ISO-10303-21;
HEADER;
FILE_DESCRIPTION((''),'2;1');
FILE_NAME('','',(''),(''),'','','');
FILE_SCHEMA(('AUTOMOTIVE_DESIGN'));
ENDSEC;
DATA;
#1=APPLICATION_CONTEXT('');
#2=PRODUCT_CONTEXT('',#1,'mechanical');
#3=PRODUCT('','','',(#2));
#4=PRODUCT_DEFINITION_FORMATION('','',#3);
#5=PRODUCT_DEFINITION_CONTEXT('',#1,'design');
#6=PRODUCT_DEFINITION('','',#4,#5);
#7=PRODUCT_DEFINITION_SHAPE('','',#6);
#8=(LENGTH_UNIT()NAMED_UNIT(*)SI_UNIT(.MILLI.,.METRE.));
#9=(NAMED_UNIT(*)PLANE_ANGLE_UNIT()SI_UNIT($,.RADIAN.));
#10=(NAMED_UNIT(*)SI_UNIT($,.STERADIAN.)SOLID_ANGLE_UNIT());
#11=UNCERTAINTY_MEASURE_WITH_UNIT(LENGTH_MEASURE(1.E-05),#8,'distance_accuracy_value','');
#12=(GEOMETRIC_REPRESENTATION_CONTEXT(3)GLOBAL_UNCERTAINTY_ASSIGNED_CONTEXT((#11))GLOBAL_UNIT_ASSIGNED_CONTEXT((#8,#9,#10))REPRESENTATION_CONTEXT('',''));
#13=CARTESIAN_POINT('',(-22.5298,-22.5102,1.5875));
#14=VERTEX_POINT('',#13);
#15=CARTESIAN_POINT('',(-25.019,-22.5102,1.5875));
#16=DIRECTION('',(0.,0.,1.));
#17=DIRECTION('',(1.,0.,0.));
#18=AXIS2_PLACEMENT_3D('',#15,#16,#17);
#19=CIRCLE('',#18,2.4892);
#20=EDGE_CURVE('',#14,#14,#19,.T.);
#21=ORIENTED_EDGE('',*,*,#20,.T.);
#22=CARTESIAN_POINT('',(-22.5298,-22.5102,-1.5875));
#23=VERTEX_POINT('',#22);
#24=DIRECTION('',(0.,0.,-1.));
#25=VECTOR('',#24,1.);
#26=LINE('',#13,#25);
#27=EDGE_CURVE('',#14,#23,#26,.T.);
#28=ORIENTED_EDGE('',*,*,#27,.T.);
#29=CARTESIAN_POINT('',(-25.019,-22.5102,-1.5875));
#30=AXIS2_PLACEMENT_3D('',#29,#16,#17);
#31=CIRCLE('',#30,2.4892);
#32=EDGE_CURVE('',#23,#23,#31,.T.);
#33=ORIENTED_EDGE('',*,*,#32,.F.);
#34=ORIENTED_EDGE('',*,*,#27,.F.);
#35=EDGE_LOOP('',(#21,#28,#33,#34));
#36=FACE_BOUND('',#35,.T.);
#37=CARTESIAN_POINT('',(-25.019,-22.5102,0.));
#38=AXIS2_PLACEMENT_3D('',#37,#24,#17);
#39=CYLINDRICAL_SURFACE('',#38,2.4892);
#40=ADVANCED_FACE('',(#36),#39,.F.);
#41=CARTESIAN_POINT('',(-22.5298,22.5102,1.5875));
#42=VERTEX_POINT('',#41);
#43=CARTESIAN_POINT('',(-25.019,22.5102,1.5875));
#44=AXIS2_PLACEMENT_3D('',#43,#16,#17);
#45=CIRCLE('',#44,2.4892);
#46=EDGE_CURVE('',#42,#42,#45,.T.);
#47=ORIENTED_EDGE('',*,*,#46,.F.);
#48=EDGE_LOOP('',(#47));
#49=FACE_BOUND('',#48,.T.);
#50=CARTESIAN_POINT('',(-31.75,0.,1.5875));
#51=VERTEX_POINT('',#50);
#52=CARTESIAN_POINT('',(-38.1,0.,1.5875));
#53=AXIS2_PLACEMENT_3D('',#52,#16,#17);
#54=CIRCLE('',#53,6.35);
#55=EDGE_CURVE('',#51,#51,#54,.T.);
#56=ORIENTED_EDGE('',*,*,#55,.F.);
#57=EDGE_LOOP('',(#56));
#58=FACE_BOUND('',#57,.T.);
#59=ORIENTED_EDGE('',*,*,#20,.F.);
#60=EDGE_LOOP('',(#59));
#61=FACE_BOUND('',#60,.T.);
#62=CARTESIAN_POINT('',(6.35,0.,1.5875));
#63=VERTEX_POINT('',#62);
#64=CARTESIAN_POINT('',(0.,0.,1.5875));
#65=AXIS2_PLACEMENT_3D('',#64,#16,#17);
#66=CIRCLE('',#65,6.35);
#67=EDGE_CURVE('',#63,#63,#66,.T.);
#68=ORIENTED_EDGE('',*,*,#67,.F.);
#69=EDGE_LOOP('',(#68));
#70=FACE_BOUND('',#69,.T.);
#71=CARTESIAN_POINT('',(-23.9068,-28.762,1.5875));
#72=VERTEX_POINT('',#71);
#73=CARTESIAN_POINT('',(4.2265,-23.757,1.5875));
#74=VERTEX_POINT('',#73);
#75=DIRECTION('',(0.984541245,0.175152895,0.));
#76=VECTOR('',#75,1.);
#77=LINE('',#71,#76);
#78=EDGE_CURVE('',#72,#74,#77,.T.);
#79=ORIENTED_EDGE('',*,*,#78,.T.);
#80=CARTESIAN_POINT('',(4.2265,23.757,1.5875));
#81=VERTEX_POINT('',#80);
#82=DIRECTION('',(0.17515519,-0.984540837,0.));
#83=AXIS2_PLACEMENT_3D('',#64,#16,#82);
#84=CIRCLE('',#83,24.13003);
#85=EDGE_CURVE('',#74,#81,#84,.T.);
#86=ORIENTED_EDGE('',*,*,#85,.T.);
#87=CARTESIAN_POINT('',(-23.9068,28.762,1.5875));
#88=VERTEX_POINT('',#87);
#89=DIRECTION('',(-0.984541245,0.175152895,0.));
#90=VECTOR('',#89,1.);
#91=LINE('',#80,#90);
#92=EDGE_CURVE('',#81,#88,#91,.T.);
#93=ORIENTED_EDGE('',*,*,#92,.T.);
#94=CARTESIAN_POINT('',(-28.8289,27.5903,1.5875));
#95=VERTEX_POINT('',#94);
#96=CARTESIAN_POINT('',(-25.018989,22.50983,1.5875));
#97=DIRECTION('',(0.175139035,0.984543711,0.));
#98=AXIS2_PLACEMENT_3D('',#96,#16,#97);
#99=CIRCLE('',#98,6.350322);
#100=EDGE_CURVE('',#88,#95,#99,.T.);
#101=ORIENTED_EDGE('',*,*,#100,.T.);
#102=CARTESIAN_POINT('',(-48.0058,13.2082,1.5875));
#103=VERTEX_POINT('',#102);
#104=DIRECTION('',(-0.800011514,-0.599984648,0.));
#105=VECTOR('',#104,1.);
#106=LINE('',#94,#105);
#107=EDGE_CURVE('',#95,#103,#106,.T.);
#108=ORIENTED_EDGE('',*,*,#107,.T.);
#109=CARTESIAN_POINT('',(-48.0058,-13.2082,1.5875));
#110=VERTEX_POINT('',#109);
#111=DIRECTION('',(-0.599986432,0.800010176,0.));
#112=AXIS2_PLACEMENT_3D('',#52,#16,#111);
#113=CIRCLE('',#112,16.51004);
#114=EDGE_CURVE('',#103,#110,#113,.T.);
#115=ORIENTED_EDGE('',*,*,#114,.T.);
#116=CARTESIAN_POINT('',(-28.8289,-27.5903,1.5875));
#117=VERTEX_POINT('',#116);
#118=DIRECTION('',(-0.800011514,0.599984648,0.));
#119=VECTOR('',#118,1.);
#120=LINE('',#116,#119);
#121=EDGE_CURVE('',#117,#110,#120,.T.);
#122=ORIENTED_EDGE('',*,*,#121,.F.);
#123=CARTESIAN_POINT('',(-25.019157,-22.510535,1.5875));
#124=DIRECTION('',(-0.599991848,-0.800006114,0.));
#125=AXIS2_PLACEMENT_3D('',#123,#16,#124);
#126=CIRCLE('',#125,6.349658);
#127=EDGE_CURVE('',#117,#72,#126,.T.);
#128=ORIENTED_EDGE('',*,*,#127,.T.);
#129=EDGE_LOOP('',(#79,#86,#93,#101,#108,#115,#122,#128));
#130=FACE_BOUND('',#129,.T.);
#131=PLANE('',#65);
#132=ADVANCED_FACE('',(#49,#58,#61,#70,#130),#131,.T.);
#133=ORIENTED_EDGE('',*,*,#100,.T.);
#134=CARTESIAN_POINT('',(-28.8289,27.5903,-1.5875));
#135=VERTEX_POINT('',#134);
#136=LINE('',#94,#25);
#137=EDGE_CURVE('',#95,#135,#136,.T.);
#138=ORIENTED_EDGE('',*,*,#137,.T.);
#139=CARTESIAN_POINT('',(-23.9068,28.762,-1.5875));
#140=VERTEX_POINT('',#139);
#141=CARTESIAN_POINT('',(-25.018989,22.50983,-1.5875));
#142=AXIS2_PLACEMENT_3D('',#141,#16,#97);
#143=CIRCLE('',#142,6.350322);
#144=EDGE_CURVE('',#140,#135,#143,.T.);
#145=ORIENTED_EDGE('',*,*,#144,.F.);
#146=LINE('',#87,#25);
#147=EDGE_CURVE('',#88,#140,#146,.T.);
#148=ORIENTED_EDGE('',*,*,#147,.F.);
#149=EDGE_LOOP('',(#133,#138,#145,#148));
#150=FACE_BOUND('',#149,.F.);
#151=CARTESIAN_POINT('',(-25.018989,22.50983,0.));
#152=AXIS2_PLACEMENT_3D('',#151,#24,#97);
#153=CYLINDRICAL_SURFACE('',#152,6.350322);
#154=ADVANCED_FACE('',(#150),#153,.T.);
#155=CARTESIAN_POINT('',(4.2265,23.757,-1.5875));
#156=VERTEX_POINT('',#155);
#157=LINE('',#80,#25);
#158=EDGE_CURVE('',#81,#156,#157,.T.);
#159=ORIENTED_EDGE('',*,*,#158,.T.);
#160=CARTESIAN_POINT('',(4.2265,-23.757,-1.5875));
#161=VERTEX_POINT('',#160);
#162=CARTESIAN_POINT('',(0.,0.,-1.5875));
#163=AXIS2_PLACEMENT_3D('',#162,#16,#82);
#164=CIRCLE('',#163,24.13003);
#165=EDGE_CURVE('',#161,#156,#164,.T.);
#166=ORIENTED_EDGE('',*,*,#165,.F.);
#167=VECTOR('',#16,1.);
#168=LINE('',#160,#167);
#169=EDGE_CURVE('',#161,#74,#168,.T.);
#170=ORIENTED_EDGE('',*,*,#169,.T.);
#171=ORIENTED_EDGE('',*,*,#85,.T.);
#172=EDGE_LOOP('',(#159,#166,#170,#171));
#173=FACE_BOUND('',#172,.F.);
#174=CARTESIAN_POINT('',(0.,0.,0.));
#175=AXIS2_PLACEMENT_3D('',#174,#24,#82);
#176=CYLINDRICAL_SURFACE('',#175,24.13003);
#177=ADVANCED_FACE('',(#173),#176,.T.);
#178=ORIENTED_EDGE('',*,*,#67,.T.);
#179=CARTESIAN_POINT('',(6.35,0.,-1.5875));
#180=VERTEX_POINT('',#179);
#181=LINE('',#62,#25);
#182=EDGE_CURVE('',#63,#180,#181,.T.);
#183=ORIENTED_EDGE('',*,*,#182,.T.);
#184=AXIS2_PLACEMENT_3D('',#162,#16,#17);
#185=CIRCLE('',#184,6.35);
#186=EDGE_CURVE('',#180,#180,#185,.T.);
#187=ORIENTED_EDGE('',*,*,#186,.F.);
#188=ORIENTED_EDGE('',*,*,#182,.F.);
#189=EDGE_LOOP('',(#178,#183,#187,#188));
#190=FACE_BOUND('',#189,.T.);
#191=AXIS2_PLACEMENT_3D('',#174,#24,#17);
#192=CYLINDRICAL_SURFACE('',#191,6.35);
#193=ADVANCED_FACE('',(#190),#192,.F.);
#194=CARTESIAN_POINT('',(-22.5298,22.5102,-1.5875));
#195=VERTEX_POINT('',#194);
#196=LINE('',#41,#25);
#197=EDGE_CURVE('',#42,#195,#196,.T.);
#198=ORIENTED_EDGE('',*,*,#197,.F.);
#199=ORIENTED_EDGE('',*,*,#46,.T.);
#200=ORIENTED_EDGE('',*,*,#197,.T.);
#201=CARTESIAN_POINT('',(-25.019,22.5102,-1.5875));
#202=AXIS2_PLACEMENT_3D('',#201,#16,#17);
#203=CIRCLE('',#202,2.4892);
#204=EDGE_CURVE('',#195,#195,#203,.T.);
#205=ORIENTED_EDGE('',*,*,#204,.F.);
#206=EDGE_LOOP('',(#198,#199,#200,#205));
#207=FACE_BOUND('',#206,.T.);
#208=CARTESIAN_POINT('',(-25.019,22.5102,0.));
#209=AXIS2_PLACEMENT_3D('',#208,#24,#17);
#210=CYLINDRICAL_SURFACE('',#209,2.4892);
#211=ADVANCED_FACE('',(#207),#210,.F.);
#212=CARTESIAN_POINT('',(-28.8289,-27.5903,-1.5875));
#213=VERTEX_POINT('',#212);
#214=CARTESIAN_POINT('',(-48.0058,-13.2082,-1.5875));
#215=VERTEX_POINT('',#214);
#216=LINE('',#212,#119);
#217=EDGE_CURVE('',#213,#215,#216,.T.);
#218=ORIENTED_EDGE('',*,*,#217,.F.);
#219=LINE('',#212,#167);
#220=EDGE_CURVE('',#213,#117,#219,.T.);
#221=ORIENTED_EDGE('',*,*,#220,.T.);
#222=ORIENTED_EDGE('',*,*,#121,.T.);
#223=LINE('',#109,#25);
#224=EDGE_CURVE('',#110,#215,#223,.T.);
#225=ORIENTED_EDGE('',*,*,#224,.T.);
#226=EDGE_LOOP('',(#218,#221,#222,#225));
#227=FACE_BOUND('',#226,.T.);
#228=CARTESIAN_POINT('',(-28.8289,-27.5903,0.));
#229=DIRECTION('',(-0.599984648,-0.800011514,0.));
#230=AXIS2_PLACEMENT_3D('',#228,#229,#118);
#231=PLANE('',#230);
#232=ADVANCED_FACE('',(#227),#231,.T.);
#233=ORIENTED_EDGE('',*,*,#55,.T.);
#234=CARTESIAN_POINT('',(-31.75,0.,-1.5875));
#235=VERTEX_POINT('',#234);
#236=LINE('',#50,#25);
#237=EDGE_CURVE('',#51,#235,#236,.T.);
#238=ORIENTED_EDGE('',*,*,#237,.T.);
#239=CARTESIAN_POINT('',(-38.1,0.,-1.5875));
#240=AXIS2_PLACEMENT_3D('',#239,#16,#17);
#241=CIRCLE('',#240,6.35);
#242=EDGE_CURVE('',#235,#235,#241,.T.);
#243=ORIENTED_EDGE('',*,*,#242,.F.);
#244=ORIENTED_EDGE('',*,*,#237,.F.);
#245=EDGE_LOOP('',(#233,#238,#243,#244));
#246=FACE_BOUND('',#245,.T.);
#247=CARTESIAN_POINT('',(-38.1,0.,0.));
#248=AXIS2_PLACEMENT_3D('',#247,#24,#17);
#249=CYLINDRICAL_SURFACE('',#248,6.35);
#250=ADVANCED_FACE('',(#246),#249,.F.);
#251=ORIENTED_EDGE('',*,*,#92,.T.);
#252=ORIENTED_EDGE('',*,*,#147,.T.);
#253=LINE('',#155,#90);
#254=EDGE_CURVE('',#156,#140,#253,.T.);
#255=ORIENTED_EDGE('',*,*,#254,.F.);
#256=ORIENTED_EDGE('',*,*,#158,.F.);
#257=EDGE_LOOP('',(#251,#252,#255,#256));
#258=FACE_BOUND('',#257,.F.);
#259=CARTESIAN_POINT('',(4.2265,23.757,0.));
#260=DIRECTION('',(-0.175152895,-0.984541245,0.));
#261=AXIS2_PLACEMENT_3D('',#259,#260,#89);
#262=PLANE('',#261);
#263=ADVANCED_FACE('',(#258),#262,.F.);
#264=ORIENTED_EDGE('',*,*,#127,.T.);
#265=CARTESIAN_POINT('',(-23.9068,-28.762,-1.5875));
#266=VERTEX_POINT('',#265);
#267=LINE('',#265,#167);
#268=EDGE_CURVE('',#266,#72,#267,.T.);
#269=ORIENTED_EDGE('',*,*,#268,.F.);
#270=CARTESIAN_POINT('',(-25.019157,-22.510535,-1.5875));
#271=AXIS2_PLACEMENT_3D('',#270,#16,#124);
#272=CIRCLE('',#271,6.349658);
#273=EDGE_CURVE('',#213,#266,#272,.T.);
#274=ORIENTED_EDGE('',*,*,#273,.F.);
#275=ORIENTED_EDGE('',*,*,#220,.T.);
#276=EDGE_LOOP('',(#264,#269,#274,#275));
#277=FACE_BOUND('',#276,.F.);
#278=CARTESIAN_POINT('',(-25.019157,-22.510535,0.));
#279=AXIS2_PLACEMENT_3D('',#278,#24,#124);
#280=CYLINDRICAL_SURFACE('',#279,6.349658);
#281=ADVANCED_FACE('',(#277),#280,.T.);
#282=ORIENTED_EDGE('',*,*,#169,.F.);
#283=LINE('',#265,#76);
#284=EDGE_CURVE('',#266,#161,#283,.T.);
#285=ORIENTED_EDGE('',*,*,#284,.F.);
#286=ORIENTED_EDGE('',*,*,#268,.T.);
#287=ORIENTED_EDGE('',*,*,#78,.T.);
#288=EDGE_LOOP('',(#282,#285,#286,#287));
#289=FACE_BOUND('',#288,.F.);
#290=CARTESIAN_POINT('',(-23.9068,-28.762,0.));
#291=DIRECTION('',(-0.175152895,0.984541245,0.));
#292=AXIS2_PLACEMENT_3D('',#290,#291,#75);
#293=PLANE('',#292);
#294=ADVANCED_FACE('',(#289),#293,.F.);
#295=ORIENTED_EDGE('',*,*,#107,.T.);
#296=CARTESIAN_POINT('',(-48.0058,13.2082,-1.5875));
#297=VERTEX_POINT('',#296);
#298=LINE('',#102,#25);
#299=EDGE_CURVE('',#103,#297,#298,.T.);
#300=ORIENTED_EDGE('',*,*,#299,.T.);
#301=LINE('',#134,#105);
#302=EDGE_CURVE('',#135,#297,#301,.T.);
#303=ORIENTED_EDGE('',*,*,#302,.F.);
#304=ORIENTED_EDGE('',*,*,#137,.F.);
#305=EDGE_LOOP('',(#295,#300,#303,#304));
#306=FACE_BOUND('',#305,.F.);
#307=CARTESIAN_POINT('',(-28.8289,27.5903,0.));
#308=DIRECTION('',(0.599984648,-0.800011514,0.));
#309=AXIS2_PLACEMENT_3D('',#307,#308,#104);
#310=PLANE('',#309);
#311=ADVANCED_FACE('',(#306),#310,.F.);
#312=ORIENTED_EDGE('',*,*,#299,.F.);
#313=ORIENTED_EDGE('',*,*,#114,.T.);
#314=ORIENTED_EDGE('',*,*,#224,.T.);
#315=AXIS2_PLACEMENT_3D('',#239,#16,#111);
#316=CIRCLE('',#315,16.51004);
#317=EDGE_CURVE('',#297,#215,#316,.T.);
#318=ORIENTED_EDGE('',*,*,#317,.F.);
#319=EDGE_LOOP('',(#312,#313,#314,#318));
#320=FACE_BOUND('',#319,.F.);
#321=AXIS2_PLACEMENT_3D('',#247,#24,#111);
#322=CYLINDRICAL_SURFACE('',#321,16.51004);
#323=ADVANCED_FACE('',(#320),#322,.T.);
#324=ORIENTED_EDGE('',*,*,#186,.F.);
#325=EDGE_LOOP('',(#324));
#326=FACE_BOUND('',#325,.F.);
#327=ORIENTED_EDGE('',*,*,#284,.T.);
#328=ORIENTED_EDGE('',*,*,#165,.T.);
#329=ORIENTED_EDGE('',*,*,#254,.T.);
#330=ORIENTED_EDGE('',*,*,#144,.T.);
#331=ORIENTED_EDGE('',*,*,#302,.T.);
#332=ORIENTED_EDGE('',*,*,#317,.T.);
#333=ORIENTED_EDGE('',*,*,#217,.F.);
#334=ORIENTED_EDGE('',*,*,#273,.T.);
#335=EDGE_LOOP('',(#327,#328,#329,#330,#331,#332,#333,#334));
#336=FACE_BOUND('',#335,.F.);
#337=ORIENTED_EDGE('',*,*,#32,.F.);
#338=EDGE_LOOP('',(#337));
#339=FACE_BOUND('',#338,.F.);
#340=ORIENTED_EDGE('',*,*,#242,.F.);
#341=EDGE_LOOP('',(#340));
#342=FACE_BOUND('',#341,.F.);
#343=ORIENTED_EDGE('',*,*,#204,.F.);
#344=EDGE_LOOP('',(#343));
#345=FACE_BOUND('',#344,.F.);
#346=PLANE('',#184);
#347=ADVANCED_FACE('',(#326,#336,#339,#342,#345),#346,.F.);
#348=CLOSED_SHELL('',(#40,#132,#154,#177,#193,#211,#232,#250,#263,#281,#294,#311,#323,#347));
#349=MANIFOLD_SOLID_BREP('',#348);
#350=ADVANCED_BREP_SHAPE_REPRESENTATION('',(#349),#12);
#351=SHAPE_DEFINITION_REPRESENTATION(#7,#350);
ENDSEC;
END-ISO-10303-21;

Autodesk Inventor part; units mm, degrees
ref_plane "YZ Plane" through (0, 0, 0) normal (1, 0, 0) x (0, 1, 0)
ref_plane "XZ Plane" through (0, 0, 0) normal (0, 1, 0) x (-1, 0, 0)
ref_plane "XY Plane" through (0, 0, 0) normal (0, 0, 1) x (1, 0, 0)
sketch "Sketch1" plane through (0, 0, 0) normal (0, 0, 1) x (1, 0, 0)
  circle A0 centre (0, 0) radius 22.86 construction
  circle A1 centre (-38.1, 0) radius 15.24 construction
  circle A2 centre (0, 0) radius 24.13 construction
  circle A3 centre (-38.1, 0) radius 16.51 construction
  circle A4 centre (-25.019, -22.5102) radius 6.35 construction
  line L0 (-29.8047, -14.2748) -> (-28.2095, -17.0199) construction
  line L1 (-17.9382, -16.1394) -> (-20.2984, -18.263) construction
  circle A5 centre (-38.1, 0) radius 6.35
  circle A6 centre (0, 0) radius 6.35
  line L2 (-28.8289, -27.5903) -> (-48.0058, -13.2082)
  line L3 (-23.9068, -28.762) -> (4.2265, -23.757)
  arc A7 (-48.0058, 13.2082) -> (-48.0058, -13.2082) centre (-38.1, 0) ccw
  arc A8 (4.2265, -23.757) -> (4.2265, 23.757) centre (0, 0) ccw
  arc A9 (-28.8289, -27.5903) -> (-23.9068, -28.762) centre (-25.019, -22.5102) ccw
  circle A10 centre (-25.019, -22.5102) radius 2.4892
  circle A11 centre (-25.019, 22.5102) radius 6.35 construction
  line L4 (-17.9382, 16.1394) -> (-20.2984, 18.263) construction
  line L5 (-28.2095, 17.0199) -> (-29.8047, 14.2748) construction
  line L6 (4.2265, 23.757) -> (-23.9068, 28.762)
  line L7 (-28.8289, 27.5903) -> (-48.0058, 13.2082)
  arc A12 (-23.9068, 28.762) -> (-28.8289, 27.5903) centre (-25.019, 22.5102) ccw
  circle A13 centre (-25.019, 22.5102) radius 2.4892
  dimension "d3" = 30.48
  dimension "d4" = 45.72
  dimension "d5" = 48.26
  dimension "d6" = 33.02
  dimension "d23" = 12.7
  dimension "d30" = 12.7
  dimension "d31" = 12.7
  dimension "d33" = 3.175
  dimension "d34" = 3.175
  dimension "d35" = 4.9784
  dimension "d36" = 12.7
  dimension "d37" = 3.175
  dimension "d38" = 3.175
  dimension "d39" = 4.9784
extrude "Extrusion1" add sketch "Sketch1" along normal mid plane 3.175
properties part number "Gearbox plate #1"
